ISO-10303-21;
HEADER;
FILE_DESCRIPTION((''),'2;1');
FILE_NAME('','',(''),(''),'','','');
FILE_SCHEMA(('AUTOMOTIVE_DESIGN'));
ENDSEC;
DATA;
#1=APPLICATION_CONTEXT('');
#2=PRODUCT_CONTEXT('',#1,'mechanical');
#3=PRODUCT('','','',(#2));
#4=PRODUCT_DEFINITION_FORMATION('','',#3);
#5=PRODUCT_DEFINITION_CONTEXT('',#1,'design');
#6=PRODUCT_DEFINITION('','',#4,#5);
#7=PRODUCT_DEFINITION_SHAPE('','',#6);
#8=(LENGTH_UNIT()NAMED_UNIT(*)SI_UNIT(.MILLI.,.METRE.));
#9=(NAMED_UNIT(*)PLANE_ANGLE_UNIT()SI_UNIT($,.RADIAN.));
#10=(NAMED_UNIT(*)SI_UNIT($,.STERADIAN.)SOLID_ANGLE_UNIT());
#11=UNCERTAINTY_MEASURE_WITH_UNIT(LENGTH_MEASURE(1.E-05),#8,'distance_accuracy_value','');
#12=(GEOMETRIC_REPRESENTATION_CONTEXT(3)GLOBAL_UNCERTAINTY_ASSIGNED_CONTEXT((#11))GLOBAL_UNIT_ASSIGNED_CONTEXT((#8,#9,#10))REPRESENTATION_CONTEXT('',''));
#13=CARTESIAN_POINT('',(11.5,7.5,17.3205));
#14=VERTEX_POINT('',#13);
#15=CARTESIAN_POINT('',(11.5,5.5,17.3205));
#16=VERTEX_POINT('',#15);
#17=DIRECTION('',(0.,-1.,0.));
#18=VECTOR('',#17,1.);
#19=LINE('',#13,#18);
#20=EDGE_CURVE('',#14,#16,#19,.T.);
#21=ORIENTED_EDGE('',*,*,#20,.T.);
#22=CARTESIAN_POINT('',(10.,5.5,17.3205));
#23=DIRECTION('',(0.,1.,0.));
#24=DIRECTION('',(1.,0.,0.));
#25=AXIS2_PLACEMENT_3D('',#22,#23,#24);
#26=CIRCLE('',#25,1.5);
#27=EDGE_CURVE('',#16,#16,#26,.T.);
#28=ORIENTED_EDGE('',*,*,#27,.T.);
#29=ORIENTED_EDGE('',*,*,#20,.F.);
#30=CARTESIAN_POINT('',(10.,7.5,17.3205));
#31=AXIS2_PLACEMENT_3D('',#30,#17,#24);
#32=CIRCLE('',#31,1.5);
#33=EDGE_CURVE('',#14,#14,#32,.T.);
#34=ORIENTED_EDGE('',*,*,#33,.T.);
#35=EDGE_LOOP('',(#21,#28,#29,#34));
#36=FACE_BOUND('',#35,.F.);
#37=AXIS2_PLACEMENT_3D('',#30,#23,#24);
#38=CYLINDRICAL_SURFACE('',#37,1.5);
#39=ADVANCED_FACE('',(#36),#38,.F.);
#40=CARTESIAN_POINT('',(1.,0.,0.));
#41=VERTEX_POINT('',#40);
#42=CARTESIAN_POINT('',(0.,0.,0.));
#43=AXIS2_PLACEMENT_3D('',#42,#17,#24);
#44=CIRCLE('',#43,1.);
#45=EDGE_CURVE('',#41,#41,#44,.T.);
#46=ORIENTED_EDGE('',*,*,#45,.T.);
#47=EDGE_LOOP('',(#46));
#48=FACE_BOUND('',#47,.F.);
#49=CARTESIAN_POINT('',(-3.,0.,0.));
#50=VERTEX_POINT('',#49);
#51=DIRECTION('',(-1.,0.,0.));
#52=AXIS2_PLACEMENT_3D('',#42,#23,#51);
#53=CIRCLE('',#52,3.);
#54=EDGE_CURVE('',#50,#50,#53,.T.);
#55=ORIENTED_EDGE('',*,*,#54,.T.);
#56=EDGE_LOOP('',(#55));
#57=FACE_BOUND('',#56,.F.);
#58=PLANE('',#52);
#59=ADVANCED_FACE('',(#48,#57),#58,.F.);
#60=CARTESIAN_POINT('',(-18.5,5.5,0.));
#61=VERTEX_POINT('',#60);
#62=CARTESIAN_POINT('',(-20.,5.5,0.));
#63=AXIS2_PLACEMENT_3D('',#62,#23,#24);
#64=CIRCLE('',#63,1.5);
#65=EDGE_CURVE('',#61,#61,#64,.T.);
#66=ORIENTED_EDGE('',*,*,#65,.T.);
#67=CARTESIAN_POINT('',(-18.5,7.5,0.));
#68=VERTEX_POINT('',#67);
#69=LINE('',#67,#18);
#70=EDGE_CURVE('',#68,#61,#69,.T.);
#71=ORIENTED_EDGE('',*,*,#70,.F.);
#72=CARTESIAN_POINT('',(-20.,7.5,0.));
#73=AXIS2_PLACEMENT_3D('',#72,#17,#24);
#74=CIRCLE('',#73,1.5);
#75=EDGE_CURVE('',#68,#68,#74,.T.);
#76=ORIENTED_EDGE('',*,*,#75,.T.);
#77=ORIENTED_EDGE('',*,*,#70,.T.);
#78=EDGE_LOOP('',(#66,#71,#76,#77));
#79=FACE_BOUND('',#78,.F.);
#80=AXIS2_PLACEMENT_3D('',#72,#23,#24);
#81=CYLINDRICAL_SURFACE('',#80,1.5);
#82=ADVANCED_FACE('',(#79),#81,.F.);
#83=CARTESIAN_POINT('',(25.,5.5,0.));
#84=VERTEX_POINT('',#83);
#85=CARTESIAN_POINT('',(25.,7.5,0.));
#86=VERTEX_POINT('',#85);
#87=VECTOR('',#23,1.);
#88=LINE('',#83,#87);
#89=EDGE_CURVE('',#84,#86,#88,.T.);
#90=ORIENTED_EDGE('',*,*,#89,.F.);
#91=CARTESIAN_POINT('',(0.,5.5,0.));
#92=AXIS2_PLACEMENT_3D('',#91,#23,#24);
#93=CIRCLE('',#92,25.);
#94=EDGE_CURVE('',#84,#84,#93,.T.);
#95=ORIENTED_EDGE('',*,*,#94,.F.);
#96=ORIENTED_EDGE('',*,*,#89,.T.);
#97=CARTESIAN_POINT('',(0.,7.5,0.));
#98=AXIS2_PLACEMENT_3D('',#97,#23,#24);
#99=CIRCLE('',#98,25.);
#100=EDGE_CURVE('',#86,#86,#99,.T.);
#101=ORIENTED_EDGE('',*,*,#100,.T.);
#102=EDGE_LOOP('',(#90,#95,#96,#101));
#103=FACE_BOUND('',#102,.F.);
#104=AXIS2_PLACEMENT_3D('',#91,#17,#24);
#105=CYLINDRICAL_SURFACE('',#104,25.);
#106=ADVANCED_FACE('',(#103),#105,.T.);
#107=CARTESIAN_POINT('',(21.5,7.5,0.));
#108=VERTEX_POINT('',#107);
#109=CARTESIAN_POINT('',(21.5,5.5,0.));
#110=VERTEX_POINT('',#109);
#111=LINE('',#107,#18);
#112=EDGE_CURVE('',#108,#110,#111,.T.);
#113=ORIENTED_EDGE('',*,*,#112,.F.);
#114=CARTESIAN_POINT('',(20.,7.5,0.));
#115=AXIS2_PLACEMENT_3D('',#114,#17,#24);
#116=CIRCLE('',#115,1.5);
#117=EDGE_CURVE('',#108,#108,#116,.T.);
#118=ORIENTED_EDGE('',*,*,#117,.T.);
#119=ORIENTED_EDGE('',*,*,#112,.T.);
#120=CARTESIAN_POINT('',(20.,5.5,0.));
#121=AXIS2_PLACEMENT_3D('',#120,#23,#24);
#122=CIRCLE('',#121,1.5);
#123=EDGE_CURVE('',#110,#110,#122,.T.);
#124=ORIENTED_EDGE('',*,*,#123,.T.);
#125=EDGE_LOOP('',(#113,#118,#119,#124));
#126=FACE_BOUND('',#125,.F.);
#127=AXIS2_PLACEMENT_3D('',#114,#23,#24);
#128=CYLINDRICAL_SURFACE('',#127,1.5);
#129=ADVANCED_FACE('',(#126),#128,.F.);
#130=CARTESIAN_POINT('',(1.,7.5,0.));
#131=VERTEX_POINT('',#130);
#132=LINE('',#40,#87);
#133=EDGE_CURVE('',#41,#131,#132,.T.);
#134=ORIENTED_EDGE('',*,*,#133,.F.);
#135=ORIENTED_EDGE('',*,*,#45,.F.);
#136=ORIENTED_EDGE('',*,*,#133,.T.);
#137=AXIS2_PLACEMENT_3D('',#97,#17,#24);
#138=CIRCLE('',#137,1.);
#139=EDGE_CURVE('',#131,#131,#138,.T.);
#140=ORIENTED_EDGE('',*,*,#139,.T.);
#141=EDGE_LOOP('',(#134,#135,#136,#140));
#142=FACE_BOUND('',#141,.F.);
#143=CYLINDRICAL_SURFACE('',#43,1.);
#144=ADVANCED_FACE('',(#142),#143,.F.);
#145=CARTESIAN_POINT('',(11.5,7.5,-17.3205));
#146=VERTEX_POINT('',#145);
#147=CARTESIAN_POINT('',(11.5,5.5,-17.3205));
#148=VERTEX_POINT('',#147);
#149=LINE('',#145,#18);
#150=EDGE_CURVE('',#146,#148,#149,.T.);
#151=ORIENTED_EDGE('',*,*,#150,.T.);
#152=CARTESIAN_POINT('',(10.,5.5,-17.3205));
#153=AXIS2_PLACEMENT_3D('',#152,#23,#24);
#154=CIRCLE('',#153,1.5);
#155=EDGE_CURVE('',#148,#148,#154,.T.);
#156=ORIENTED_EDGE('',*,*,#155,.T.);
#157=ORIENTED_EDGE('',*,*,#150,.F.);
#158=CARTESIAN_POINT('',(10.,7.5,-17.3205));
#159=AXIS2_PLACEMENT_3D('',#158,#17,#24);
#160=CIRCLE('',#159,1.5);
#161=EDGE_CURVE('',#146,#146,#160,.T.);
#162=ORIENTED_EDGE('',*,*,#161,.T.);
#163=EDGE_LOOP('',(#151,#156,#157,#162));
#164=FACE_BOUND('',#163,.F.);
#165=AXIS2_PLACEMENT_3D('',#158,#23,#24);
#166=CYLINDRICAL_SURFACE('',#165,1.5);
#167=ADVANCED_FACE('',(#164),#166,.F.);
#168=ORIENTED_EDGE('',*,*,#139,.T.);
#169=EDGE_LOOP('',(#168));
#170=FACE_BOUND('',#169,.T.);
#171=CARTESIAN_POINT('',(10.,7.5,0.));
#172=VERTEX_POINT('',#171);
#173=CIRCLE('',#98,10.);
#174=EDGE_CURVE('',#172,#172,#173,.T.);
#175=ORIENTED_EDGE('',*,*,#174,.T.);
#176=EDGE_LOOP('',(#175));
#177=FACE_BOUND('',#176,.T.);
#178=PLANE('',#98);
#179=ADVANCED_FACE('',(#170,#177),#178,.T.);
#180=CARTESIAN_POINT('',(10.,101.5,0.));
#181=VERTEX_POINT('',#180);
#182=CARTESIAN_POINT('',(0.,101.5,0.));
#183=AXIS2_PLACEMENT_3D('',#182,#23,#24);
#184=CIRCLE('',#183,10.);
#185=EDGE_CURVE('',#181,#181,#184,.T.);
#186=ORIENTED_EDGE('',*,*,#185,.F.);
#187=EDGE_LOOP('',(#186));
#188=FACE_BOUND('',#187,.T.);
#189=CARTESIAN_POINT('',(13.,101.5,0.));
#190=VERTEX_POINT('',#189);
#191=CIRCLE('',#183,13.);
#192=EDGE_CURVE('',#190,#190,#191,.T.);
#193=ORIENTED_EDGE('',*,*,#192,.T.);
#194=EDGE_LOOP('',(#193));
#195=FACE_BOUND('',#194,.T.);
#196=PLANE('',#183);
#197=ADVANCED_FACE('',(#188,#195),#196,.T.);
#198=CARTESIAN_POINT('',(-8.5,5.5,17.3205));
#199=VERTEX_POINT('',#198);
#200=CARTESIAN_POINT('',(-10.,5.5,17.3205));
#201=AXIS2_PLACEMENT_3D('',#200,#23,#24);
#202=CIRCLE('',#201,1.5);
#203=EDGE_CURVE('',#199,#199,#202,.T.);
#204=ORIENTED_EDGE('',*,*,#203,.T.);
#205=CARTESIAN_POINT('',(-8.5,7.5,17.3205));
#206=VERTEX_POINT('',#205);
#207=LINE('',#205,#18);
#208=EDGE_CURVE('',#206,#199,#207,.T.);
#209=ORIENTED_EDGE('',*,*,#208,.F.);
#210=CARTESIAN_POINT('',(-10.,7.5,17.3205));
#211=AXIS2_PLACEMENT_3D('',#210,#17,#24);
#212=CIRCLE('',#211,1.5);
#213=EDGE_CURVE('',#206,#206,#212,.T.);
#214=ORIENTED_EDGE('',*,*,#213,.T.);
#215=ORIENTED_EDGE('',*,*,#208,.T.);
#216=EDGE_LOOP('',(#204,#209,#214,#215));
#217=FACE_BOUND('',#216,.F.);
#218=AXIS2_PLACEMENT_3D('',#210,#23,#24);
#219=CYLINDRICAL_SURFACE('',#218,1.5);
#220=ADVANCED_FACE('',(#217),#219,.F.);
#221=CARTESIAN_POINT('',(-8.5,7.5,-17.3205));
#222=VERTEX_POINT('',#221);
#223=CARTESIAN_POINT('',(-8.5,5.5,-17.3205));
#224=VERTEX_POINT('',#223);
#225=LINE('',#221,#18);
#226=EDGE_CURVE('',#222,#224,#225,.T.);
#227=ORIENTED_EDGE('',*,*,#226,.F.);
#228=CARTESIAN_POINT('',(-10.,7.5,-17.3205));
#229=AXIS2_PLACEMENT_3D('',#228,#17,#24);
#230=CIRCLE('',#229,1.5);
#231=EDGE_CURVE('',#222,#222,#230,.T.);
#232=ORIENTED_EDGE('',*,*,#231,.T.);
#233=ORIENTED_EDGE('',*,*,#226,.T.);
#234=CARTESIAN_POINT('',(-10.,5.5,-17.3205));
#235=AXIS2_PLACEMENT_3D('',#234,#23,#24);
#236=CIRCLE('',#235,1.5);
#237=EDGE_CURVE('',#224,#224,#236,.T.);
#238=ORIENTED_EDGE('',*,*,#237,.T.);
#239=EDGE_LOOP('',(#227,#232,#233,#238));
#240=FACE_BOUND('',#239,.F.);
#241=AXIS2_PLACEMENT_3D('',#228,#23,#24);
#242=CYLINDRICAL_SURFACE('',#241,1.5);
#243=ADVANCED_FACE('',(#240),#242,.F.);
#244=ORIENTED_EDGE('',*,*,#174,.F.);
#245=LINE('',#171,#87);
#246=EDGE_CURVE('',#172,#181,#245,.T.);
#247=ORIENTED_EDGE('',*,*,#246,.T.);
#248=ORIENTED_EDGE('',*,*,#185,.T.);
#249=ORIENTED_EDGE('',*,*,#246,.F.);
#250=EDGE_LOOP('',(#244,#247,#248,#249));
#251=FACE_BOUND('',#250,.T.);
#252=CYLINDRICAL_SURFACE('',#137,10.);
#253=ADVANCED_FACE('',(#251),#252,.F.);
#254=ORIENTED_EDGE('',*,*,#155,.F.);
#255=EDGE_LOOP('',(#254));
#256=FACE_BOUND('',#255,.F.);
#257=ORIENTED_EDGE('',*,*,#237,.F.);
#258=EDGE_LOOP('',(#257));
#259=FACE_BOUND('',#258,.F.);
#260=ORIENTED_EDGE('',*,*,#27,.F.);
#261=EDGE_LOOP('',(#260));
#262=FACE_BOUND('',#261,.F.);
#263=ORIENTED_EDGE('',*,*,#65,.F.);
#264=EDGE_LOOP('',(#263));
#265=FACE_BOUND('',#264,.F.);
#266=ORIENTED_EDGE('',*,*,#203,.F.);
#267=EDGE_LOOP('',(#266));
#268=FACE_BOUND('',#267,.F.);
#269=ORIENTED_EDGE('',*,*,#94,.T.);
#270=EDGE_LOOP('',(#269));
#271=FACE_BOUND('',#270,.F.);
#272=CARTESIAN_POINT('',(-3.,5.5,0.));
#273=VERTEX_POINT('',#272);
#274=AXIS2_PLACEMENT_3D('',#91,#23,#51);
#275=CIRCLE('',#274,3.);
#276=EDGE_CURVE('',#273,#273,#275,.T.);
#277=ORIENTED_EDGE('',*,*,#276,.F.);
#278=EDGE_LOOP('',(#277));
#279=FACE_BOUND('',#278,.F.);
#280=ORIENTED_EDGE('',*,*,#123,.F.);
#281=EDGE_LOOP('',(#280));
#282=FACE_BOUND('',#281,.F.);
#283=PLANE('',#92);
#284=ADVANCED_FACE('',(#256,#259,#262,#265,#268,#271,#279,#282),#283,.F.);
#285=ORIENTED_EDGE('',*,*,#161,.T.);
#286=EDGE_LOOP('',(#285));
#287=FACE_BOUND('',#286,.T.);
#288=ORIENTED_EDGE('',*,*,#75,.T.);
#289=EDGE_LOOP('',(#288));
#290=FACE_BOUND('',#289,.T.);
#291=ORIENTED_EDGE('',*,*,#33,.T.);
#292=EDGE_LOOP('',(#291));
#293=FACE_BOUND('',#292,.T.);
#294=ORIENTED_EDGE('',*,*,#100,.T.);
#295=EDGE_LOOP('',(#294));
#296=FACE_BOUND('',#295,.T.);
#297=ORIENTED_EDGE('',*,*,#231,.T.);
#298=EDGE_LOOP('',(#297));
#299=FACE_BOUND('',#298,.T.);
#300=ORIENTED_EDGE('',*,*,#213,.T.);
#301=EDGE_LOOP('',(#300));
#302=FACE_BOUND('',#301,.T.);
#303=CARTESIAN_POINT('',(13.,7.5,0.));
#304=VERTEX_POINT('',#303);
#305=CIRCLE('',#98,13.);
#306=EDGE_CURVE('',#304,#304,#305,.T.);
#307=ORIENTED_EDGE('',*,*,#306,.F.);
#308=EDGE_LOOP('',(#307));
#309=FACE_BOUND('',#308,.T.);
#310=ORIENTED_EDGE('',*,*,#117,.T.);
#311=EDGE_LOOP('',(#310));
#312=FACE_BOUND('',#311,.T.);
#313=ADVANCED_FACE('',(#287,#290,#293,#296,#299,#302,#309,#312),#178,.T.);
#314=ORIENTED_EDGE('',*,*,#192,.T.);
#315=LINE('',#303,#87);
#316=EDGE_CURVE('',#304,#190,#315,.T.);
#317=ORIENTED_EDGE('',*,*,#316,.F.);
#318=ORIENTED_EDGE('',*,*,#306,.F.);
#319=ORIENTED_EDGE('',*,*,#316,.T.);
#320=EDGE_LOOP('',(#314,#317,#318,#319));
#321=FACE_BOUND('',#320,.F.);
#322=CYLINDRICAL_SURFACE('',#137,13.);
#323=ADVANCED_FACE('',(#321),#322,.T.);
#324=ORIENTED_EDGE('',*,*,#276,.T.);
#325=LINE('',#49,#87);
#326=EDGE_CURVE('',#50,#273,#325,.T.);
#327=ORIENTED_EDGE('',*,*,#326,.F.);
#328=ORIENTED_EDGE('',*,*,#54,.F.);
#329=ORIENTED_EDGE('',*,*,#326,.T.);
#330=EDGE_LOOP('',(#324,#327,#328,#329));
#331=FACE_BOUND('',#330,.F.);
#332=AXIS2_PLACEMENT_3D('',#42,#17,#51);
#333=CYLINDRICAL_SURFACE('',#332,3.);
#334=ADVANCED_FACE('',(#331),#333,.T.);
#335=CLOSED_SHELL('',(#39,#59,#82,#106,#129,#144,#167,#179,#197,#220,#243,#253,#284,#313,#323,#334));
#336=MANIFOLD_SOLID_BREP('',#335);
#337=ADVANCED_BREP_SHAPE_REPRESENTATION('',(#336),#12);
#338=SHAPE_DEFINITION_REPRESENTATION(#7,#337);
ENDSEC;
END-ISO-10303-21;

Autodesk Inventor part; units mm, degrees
ref_plane "YZ Plane" through (0, 0, 0) normal (1, 0, 0) x (0, 1, 0)
ref_plane "XZ Plane" through (0, 0, 0) normal (0, 1, 0) x (-1, 0, 0)
ref_plane "XY Plane" through (0, 0, 0) normal (0, 0, 1) x (1, 0, 0)
sketch "Sketch1" plane through (0, 0, 0) normal (0, 1, 0) x (-1, 0, 0)
  circle A0 centre (0, 0) radius 3
  dimension "d0" = 6
extrude "Extrusion1" add sketch "Sketch1" along normal blind 5.5
sketch "Sketch2" plane through (0, 5.5, 0) normal (0, 1, 0) x (1, 0, 0)
  circle A0 centre (0, 0) radius 25
  dimension "d3" = 50
extrude "Extrusion2" add sketch "Sketch2" along normal blind 2
sketch "Sketch3" plane through (0, 7.5, 0) normal (0, 1, 0) x (1, 0, 0)
  circle A0 centre (0, 0) radius 13
  circle A1 centre (0, 0) radius 10
  dimension "d6" = 20
  dimension "d24" = 26
extrude "Extrusion3" add sketch "Sketch3" along normal blind 94
sketch "Sketch4" plane through (0, 0, 0) normal (0, -1, 0) x (1, 0, 0)
  circle A0 centre (0, 0) radius 1
  dimension "d9" = 2
extrude "Extrusion4" cut sketch "Sketch4" against normal through all
thread "Thread2" size "M6x1" class "6g" standard "ANSI Metric M Profile" full length
sketch "Sketch5" plane through (0, 7.5, 0) normal (0, 1, 0) x (1, 0, 0)
  circle A0 centre (0, 0) radius 1 projected
  circle A1 centre (0, 0) radius 20
  circle A2 centre (-20, 0) radius 1.5
  circle A3 centre (-10, -17.3205) radius 1.5
  circle A4 centre (10, -17.3205) radius 1.5
  circle A5 centre (20, 0) radius 1.5
  circle A6 centre (10, 17.3205) radius 1.5
  circle A7 centre (-10, 17.3205) radius 1.5
  dimension "d16" = 40
  dimension "d17" = 3
  dimension "d20" = 360
extrude "Extrusion5" cut sketch "Sketch5" against normal through all contours A1 A5 | A1 A5 | A6 A1 | A1 A6 | A4 A1 | A1 A4 | A7 A1 | A1 A7 | A3 A1 | A1 A3 | A2 A1 | A1 A2
properties part number "CylinderAttachment"
